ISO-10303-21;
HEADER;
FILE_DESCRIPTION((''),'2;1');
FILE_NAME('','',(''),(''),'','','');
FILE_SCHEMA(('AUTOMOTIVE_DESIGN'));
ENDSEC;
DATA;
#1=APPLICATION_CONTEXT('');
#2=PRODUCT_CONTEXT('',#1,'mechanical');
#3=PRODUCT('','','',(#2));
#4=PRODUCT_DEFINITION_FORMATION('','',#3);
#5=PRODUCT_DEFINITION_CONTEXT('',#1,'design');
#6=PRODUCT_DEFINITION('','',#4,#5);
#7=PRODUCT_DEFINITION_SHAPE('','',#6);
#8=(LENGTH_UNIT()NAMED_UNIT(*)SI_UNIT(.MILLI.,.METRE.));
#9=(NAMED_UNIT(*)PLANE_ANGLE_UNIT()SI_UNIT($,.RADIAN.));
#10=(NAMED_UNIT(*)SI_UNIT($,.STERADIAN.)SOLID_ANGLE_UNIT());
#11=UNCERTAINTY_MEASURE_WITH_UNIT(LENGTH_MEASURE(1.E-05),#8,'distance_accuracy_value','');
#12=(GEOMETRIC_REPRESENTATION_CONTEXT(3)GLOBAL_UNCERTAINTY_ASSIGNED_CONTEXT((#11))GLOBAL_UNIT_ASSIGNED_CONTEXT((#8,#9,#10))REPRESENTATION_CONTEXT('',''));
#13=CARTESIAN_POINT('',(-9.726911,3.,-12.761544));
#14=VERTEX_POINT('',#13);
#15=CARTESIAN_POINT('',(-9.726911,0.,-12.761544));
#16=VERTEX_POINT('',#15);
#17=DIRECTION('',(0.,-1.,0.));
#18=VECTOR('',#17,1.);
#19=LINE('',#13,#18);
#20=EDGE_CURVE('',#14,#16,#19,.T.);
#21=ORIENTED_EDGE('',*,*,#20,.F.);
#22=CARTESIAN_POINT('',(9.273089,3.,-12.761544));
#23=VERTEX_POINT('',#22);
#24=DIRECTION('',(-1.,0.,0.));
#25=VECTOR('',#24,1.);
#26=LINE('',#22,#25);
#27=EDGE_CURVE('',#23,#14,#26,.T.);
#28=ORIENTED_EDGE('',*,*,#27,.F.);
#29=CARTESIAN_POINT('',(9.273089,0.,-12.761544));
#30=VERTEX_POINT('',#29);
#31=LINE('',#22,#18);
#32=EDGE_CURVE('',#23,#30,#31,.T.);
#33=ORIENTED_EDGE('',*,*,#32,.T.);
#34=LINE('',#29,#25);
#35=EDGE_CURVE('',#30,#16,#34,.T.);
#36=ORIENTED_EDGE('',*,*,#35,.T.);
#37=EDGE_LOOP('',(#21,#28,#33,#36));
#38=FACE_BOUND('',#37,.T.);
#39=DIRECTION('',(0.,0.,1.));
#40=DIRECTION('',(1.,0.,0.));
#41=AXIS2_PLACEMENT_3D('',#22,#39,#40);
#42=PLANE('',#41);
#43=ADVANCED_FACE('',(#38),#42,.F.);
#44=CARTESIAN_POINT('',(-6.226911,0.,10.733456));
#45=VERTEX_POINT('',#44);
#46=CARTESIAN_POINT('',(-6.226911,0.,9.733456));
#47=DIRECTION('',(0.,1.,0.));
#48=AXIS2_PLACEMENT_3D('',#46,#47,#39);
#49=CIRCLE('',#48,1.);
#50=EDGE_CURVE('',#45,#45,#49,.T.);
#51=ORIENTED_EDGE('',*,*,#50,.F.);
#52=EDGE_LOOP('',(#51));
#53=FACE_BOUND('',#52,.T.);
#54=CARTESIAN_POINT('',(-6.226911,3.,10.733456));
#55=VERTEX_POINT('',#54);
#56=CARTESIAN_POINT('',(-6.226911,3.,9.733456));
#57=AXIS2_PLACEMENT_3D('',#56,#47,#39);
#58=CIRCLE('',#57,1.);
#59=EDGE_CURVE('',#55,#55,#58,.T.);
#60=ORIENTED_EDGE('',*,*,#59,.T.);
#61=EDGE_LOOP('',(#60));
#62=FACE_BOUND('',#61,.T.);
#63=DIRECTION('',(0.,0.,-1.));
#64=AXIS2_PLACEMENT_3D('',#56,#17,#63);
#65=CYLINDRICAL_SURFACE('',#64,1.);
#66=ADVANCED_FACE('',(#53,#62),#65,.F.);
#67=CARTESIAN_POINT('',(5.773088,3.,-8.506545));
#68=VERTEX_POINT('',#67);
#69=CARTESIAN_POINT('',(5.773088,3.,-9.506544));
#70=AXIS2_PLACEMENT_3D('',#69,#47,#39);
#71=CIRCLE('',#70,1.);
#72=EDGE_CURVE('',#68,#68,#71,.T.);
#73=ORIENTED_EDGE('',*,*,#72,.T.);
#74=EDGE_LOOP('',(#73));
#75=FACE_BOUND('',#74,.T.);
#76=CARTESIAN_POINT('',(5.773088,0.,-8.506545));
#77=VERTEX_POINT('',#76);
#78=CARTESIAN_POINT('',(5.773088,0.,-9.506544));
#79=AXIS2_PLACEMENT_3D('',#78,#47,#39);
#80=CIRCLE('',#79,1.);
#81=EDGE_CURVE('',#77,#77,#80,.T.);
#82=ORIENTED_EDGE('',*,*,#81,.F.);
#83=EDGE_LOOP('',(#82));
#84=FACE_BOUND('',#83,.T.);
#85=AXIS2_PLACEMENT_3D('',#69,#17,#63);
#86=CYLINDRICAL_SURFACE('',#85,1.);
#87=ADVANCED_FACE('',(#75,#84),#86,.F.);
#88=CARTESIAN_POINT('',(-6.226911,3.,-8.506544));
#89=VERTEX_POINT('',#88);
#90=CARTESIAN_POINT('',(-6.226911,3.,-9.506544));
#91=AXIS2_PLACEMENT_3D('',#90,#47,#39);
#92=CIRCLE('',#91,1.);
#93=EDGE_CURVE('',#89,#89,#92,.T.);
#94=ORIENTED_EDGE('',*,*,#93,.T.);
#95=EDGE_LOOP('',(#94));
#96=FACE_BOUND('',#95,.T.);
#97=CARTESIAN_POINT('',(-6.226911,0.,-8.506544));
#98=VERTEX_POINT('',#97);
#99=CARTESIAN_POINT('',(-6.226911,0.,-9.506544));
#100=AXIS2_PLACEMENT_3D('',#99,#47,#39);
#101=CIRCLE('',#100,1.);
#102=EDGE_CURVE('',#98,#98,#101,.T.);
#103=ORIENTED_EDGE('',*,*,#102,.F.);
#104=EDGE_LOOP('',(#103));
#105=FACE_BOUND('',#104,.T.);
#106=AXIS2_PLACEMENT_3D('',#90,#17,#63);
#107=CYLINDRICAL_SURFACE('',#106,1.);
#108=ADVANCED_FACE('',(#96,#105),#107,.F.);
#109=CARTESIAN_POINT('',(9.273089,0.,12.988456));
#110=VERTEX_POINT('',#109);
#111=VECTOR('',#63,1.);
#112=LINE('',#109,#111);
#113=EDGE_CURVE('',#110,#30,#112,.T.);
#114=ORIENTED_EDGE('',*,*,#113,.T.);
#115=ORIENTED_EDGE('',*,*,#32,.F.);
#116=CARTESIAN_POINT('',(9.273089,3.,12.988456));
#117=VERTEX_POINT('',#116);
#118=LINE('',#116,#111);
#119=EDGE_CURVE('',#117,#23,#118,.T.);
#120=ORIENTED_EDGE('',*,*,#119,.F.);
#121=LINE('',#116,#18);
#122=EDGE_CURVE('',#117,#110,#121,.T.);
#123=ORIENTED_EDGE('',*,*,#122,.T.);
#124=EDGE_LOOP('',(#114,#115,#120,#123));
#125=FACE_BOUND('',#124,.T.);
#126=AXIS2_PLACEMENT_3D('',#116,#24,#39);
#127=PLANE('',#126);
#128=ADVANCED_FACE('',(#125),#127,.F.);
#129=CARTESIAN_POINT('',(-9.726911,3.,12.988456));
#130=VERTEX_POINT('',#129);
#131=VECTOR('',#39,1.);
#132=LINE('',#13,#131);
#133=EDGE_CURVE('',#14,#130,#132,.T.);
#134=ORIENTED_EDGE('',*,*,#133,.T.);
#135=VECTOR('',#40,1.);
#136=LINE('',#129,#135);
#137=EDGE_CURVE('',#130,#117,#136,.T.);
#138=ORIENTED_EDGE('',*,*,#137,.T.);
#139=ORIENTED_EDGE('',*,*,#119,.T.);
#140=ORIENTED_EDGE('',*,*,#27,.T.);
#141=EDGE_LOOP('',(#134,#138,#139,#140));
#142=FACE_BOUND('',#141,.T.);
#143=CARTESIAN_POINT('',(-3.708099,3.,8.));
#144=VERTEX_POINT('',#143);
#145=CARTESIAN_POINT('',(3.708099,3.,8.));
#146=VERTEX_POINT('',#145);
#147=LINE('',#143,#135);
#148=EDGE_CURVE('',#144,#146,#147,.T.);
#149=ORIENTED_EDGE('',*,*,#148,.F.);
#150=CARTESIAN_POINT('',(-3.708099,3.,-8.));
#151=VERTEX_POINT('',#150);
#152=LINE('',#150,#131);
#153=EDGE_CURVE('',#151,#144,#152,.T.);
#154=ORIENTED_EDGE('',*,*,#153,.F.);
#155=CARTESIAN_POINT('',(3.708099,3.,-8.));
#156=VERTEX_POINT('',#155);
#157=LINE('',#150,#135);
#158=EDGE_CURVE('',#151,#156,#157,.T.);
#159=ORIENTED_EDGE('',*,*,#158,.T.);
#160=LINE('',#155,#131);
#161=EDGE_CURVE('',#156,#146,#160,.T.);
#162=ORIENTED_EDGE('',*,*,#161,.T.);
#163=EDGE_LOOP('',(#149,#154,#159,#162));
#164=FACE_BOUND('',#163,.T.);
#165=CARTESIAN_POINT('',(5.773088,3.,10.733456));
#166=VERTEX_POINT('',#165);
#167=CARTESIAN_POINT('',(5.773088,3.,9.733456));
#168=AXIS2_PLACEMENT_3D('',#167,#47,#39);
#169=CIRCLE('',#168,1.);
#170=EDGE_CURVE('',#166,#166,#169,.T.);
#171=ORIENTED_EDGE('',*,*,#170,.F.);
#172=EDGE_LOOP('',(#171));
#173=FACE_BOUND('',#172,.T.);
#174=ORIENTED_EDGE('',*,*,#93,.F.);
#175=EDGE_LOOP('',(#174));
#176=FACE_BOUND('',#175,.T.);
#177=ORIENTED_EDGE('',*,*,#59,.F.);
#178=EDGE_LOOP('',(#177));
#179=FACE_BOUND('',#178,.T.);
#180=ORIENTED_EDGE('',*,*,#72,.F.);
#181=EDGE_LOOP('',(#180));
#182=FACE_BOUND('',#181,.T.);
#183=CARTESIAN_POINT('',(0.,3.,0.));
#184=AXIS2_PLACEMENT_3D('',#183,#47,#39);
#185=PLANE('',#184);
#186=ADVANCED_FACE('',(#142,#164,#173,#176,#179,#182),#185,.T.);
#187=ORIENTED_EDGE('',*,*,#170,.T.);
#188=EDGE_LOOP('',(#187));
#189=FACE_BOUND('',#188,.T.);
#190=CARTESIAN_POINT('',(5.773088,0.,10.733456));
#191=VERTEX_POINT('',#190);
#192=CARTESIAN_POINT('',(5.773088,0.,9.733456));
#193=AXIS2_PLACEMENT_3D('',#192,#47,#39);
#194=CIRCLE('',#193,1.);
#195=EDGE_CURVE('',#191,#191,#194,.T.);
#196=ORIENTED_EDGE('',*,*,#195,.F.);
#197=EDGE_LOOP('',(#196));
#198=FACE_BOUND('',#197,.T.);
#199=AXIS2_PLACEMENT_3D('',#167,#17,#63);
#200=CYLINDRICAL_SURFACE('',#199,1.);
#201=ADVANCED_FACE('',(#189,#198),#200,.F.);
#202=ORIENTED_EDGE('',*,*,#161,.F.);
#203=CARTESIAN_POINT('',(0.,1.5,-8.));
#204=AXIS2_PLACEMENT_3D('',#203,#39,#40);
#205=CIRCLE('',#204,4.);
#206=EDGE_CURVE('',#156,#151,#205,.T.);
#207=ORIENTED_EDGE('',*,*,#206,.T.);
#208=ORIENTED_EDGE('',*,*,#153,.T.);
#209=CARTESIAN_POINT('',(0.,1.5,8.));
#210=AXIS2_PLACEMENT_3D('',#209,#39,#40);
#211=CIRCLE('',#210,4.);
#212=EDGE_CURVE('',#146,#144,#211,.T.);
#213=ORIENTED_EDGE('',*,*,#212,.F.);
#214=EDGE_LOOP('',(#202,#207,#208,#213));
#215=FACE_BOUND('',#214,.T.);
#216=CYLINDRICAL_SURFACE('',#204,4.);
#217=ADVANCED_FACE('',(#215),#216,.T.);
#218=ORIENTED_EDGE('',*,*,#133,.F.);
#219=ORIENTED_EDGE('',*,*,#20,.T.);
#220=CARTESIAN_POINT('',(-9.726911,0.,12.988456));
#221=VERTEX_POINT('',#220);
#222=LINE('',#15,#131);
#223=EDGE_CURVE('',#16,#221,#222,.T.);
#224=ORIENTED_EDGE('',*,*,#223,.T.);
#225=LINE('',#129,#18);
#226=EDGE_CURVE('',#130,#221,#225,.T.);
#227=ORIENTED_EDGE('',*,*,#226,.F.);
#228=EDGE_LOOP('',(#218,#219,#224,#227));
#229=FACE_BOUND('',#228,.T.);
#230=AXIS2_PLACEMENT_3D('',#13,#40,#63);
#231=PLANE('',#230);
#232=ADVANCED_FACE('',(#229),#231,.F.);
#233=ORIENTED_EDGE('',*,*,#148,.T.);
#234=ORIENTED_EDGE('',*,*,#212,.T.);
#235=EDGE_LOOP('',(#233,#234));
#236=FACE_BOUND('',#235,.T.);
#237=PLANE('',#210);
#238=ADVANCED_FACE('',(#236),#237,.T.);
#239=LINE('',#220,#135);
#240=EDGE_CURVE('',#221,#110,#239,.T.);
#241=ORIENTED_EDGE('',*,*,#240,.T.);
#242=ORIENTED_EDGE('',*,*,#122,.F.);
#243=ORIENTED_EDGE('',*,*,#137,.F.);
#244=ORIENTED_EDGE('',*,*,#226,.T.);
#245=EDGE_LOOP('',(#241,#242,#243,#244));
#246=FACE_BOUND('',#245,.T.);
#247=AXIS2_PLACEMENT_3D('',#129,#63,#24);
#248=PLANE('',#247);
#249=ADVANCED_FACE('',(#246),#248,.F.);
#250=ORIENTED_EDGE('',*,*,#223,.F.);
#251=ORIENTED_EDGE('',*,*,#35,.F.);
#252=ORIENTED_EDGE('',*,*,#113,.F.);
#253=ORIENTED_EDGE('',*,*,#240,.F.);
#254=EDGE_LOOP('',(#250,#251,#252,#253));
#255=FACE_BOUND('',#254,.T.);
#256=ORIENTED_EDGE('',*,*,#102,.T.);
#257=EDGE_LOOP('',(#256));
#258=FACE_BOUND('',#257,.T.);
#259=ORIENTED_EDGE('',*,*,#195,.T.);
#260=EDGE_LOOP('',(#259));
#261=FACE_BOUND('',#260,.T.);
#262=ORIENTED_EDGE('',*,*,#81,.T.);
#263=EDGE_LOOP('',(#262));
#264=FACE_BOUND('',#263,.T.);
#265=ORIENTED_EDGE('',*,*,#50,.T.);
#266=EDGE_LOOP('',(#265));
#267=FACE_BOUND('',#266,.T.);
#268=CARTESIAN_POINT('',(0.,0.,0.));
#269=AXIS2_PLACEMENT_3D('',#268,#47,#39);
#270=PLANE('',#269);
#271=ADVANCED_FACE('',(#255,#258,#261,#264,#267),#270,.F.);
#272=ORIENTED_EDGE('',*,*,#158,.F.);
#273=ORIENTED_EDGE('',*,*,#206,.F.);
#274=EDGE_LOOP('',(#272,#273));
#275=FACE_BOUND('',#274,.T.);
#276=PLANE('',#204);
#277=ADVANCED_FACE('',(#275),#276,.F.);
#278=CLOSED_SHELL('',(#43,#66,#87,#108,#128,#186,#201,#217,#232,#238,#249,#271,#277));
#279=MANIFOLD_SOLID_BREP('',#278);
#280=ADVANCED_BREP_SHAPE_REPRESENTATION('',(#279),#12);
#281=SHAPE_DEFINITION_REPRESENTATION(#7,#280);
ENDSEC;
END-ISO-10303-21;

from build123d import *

# Parameters (mm, degrees)
CROQUIS1_W                   = 19
CROQUIS1_H                   = 25.75
CROQUIS1_R                   = 1.000000029
CROQUIS1_R_2                 = 0.999999792
CROQUIS1_R_3                 = 1.000000052
CROQUIS1_R_4                 = 1.000000059
SALIENTE_EXTRUIR1_DEPTH      = 3
SALIENTE_EXTRUIR2_DEPTH      = 8
SALIENTE_EXTRUIR2_DEPTH_BACK = 8


with BuildPart() as part:
    # Croquis1 → Saliente-Extruir1 (new body)
    with BuildSketch(Plane(origin=(0, 0, 0), x_dir=(1, 0, 0), z_dir=(0, 1, 0))):
        with Locations((-0.226911439, -0.113455719)):
            Rectangle(CROQUIS1_W, CROQUIS1_H)
        with Locations((-6.226911361, 9.506544208)):
            Circle(CROQUIS1_R, mode=Mode.SUBTRACT)
        with Locations((5.773088267, 9.506544313)):
            Circle(CROQUIS1_R_2, mode=Mode.SUBTRACT)
        with Locations((5.773088494, -9.733455829)):
            Circle(CROQUIS1_R_3, mode=Mode.SUBTRACT)
        with Locations((-6.226911268, -9.733455698)):
            Circle(CROQUIS1_R_4, mode=Mode.SUBTRACT)
    extrude(amount=SALIENTE_EXTRUIR1_DEPTH)

    # Croquis2 → Saliente-Extruir2 (add, two sides)
    with BuildSketch(Plane.XY) as saliente_extruir2_sk:
        with BuildLine():
            Line((-3.708099244, 3), (3.708099244, 3))
            ThreePointArc((3.708099244, 3), (0, 5.5), (-3.708099244, 3))
        make_face()
    extrude(amount=SALIENTE_EXTRUIR2_DEPTH)
    extrude(saliente_extruir2_sk.sketch, amount=-SALIENTE_EXTRUIR2_DEPTH_BACK)


solid = part.part
